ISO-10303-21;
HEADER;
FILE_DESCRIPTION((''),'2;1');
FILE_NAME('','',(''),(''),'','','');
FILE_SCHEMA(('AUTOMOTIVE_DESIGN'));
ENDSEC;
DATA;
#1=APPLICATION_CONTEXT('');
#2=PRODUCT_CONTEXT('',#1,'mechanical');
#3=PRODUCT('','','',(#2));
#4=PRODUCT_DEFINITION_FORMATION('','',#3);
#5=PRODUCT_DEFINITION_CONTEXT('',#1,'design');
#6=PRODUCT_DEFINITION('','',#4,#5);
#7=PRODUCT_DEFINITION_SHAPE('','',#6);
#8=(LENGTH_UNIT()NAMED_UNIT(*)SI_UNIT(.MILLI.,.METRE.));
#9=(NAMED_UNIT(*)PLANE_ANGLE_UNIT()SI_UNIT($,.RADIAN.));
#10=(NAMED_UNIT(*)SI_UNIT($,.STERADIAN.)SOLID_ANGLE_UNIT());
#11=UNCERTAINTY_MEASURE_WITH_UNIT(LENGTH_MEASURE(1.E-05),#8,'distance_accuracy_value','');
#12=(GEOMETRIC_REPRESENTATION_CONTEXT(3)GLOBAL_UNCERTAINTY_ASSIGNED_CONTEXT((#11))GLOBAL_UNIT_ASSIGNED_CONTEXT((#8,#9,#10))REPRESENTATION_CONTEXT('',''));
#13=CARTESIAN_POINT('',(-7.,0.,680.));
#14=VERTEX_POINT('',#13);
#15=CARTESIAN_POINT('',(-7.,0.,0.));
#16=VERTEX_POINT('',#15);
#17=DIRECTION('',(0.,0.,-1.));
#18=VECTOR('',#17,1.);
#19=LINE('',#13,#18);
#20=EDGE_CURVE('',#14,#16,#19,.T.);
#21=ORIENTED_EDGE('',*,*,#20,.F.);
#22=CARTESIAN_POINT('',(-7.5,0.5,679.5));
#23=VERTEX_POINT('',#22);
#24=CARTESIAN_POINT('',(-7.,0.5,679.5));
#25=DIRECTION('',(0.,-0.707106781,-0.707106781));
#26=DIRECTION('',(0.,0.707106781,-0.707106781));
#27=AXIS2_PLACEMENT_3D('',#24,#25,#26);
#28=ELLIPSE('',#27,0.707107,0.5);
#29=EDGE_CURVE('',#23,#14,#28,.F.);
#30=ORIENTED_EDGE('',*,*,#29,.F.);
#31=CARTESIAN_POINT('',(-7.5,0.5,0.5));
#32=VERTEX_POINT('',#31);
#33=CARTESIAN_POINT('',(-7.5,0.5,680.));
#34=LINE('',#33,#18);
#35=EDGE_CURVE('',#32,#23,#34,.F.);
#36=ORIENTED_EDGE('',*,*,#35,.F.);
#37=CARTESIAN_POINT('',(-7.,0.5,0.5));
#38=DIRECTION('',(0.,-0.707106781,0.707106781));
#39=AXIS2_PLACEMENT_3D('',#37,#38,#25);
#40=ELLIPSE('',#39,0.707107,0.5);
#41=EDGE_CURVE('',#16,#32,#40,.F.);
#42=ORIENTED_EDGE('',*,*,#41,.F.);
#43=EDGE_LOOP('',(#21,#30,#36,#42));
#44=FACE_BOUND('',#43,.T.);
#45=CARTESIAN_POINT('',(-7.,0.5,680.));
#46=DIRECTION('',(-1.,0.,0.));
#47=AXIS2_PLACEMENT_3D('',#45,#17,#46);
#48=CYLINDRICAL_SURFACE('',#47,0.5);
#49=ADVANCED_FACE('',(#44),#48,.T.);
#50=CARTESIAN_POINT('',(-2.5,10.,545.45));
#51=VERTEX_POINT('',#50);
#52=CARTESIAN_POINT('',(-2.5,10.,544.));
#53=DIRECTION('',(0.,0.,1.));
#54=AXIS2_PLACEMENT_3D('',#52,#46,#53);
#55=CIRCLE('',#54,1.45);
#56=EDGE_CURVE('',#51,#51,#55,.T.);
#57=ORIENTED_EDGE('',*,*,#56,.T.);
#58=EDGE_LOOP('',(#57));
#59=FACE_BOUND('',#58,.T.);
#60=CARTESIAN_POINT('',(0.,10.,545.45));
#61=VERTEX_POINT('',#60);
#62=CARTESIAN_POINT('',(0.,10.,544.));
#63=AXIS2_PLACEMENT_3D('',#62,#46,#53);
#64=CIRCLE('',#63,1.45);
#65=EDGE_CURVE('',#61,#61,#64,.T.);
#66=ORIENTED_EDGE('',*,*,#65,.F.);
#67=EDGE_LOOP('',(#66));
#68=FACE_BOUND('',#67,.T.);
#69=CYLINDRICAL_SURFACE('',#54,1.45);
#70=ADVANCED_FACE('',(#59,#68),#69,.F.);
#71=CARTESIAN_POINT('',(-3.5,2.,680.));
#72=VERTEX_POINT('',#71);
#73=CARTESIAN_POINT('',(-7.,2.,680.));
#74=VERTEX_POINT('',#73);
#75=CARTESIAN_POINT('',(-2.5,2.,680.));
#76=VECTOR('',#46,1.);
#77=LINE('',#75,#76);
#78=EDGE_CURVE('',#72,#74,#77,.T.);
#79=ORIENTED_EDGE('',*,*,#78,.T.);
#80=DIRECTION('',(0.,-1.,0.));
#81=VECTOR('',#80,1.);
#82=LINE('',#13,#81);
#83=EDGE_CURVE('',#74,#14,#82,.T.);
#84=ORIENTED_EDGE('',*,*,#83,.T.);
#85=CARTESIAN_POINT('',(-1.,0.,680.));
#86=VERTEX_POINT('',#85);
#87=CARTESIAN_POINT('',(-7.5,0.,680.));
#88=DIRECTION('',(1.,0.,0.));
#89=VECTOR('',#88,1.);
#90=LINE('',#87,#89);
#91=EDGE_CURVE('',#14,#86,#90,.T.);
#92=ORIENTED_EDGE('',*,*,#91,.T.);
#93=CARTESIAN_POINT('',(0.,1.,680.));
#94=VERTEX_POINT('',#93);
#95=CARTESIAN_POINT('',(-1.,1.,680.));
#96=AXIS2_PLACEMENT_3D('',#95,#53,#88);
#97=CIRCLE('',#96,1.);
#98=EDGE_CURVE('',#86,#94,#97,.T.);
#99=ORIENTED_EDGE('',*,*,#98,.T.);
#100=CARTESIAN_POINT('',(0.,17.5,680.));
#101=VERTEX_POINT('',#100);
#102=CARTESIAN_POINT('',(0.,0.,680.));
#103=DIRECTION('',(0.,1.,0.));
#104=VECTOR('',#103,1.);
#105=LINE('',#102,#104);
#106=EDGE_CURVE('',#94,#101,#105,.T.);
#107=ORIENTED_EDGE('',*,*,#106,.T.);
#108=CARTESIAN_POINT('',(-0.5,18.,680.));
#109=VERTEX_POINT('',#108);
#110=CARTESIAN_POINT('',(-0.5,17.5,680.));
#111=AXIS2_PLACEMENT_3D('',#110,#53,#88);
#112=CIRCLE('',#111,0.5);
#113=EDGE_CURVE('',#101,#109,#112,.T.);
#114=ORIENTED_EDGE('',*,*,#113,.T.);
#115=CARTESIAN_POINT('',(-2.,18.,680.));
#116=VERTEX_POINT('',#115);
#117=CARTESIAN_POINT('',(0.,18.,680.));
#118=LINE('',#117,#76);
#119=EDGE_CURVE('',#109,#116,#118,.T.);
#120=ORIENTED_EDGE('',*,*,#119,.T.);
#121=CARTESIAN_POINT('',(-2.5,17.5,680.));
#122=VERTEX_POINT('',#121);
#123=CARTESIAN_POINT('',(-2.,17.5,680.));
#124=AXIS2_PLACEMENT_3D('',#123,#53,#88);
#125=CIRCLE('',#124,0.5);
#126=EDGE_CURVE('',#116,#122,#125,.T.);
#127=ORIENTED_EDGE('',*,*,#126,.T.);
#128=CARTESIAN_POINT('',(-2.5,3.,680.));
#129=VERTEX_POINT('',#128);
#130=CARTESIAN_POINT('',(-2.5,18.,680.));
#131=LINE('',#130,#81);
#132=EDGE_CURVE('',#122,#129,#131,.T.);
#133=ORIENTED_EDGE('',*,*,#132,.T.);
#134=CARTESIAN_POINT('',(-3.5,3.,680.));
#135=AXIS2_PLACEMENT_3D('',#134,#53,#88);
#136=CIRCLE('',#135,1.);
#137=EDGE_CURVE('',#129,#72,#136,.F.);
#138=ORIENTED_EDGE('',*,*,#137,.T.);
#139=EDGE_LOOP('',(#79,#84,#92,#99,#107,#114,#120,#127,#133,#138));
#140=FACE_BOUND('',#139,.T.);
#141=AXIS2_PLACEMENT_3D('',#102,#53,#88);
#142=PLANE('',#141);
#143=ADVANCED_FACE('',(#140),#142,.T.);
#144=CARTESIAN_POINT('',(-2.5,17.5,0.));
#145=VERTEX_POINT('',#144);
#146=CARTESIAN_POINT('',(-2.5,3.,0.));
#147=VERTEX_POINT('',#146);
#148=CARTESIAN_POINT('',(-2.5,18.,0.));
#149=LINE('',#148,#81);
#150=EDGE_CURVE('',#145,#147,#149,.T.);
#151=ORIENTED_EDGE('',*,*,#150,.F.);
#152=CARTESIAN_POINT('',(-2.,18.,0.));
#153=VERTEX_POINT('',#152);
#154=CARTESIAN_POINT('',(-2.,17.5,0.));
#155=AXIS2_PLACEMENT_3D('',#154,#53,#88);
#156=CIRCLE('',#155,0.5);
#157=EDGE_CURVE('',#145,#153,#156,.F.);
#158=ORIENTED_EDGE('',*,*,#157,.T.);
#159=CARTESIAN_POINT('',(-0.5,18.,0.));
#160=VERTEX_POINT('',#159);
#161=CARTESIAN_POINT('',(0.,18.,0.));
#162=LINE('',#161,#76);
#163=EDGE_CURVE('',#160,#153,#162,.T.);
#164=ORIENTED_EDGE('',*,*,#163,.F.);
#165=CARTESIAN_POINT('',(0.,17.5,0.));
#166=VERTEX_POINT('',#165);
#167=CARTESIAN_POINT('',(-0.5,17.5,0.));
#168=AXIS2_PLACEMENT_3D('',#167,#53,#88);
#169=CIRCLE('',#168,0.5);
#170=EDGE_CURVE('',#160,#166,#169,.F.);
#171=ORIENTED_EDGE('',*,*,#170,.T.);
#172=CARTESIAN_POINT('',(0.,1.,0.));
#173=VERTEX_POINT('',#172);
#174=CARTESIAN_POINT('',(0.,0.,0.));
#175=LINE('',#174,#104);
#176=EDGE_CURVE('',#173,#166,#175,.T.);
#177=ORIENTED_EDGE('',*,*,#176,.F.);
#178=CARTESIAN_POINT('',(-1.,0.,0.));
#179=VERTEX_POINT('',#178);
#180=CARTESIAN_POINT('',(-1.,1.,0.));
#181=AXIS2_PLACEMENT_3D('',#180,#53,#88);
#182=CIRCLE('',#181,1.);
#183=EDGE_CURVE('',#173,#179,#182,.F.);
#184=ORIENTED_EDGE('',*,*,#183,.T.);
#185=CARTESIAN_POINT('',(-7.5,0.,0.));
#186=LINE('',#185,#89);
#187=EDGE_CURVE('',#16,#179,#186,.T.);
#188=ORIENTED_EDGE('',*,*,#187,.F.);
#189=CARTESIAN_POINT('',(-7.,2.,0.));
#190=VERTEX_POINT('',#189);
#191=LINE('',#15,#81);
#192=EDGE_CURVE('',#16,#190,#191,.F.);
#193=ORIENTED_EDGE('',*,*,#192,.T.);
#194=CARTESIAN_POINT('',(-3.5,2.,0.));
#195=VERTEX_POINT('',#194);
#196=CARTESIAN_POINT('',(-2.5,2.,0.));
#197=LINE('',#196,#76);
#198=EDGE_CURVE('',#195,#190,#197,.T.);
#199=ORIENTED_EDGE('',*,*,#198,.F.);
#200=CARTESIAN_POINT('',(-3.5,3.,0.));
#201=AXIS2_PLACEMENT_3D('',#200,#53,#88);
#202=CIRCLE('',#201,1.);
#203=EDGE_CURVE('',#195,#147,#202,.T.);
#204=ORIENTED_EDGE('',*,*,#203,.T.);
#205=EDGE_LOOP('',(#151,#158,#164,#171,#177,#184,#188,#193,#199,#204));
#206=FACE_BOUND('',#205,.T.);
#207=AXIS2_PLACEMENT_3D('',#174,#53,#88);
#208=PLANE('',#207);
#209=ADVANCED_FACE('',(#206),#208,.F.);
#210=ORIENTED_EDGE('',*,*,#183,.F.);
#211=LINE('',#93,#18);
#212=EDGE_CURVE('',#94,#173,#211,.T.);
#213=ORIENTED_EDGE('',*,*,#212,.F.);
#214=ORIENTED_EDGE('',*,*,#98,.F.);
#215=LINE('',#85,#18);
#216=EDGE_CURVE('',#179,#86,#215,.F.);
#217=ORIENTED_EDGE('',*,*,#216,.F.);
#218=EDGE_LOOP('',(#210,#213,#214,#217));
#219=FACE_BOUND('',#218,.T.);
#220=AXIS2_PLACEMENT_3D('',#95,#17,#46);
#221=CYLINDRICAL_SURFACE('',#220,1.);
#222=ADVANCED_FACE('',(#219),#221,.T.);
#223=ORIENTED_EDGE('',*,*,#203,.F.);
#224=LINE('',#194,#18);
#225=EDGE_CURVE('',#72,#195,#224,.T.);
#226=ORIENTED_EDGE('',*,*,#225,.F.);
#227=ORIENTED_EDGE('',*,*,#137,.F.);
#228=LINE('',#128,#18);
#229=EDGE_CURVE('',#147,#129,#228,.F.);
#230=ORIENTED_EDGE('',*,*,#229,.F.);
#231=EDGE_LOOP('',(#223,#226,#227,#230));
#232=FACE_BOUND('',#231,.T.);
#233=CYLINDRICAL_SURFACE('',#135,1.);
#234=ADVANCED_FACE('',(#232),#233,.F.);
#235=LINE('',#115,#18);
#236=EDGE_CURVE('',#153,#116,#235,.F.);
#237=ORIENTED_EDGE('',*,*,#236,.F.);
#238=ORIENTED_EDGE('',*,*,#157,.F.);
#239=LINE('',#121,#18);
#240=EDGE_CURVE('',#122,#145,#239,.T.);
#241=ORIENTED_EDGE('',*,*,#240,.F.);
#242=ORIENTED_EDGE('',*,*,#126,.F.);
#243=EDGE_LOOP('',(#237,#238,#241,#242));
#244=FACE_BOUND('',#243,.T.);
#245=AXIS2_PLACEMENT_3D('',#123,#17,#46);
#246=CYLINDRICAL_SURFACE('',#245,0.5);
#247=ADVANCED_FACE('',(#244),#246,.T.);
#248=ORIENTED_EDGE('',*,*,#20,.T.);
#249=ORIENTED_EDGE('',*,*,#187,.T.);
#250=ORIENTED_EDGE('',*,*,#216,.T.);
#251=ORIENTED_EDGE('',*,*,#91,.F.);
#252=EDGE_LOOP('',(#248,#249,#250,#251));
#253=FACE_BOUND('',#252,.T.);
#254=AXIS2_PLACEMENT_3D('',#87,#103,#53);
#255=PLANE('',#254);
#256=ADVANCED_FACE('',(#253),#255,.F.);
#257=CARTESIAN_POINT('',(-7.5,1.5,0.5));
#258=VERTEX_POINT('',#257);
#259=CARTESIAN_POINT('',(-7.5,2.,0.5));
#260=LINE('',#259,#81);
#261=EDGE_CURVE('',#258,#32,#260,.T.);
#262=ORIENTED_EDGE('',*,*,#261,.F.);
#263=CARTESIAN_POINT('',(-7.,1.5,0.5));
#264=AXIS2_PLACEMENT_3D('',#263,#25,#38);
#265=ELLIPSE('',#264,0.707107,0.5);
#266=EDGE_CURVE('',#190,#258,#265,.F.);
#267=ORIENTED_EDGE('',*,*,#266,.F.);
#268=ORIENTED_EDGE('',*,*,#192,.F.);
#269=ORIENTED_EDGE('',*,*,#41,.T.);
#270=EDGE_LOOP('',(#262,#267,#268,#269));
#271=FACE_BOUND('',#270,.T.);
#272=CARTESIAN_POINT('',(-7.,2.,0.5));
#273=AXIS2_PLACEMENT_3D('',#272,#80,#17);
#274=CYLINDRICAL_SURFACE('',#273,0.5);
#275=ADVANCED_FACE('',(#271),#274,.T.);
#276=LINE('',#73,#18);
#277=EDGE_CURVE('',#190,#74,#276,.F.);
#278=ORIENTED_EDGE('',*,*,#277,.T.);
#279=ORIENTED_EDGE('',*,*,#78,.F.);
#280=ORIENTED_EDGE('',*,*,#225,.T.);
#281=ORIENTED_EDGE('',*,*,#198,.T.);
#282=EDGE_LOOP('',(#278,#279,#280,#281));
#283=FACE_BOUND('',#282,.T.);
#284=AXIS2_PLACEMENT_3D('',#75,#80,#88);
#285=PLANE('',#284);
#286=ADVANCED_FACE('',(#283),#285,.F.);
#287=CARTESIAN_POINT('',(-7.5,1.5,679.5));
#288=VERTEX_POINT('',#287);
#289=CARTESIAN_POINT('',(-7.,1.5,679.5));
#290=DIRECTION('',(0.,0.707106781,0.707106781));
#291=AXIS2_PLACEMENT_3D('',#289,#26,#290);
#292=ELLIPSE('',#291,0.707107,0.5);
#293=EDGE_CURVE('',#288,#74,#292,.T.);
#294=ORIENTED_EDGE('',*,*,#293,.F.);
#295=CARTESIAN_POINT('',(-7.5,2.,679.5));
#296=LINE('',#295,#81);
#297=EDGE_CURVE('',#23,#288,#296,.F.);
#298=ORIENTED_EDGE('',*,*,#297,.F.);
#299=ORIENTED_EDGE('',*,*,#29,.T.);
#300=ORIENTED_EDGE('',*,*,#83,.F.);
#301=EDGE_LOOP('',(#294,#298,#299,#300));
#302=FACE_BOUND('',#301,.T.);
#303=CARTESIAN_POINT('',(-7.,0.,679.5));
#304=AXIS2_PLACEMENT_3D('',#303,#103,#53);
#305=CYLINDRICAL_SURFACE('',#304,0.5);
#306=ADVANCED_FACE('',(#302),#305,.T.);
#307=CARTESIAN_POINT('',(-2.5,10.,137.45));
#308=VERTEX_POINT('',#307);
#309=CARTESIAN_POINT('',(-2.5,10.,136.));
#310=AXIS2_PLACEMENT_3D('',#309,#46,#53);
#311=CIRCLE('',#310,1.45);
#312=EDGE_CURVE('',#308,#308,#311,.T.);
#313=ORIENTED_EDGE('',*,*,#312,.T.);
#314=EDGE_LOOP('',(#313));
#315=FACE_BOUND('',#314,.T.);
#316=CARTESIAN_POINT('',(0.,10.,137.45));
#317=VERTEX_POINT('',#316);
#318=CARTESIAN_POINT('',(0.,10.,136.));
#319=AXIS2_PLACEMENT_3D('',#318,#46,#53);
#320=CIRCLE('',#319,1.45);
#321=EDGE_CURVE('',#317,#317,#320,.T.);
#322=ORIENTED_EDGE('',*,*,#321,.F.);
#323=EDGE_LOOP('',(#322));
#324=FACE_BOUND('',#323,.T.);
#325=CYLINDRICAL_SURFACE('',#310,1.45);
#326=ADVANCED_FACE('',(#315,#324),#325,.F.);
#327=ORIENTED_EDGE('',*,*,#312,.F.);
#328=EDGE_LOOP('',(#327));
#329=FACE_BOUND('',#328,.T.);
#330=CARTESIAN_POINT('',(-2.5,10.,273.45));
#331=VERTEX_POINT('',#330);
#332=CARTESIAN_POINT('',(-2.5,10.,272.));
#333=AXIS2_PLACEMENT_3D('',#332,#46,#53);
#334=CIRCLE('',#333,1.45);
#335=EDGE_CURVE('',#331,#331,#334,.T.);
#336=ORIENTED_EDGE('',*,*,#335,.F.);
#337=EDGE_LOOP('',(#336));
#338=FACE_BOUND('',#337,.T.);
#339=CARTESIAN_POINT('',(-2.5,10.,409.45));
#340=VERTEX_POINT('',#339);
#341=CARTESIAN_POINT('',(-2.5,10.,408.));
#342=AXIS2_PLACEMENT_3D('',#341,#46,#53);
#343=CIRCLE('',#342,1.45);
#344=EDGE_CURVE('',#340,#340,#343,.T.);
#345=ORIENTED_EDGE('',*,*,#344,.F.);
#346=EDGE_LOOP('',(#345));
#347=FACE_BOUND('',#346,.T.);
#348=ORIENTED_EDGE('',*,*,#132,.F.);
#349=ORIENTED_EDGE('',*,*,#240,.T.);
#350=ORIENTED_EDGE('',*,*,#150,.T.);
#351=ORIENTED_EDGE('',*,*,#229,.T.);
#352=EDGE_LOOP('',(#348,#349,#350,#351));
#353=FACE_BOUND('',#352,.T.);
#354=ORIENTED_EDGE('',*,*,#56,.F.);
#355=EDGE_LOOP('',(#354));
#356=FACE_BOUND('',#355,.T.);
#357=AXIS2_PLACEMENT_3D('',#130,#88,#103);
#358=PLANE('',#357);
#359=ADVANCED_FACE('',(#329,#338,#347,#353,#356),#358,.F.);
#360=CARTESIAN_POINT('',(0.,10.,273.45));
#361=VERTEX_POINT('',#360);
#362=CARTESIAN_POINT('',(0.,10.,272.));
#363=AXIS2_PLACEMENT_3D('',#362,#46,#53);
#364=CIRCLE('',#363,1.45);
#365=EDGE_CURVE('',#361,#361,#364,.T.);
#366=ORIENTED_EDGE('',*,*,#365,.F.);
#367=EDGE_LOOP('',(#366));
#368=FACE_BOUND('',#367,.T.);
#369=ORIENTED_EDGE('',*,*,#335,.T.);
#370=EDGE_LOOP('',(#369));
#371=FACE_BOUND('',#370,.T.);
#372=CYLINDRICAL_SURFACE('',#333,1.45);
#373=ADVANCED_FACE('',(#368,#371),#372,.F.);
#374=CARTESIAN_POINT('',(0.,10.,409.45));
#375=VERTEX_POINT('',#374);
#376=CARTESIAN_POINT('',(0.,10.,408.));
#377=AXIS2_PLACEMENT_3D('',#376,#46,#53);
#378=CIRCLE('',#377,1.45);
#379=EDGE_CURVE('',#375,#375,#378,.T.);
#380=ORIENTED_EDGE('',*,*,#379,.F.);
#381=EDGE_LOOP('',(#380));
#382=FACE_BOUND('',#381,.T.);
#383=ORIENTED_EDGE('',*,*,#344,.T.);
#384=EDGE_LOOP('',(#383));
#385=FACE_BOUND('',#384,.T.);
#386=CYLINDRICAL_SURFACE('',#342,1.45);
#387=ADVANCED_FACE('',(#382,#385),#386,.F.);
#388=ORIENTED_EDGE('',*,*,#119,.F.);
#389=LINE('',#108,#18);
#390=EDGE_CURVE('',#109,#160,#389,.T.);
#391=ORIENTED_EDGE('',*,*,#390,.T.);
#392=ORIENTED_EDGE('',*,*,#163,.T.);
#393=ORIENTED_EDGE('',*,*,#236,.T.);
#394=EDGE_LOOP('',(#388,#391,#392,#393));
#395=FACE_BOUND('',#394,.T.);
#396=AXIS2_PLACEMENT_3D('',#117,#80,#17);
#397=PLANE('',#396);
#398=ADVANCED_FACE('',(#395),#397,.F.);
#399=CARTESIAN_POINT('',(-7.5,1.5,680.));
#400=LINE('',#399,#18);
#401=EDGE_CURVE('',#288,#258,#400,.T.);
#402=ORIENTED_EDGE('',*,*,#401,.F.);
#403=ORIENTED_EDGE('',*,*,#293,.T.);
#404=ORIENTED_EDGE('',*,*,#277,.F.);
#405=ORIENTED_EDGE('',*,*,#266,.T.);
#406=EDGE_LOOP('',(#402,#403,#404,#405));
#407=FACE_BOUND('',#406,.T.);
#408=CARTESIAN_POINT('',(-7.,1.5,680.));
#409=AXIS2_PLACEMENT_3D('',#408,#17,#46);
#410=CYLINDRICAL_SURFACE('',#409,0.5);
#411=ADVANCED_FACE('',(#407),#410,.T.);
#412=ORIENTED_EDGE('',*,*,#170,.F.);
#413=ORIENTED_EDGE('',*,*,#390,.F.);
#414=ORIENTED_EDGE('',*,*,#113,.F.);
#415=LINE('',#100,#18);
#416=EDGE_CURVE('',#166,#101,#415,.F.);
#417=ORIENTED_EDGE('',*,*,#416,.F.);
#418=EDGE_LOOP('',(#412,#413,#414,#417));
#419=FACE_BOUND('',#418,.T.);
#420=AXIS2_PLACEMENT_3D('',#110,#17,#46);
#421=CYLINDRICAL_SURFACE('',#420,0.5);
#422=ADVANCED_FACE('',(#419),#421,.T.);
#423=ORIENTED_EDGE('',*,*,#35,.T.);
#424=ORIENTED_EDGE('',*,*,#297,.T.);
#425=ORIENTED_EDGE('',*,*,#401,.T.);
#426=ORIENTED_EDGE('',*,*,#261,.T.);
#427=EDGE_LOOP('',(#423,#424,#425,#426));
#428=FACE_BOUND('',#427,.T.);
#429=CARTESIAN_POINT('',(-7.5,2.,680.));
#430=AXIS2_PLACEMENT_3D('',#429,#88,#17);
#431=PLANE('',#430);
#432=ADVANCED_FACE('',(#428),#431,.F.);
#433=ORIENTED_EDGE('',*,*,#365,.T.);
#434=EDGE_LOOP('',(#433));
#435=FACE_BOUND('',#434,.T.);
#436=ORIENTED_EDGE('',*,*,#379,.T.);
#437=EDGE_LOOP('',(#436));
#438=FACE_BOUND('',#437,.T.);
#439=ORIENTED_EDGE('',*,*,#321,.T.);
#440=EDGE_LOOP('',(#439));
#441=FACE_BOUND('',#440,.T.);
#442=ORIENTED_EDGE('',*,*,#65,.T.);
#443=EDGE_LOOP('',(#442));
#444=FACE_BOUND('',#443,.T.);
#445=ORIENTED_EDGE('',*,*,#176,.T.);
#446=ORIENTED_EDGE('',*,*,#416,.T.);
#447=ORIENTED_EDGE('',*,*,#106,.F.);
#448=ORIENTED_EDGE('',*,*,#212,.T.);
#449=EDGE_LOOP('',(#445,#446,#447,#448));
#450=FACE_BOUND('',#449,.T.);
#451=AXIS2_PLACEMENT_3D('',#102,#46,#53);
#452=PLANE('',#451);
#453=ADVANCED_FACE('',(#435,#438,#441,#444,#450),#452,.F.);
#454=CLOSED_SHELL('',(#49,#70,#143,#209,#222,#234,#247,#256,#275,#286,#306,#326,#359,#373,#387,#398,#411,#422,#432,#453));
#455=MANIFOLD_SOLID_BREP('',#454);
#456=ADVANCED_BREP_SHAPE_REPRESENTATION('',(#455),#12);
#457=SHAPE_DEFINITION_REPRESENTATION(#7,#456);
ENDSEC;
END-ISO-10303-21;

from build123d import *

# Parameters (mm, degrees)
EXTRUDE_1_DEPTH      = 680
HOLE_WIZARD_M3_5_1_D = 2.9
FILLET_1_R           = 1
FILLET_2_R           = 0.5


with BuildPart() as part:
    # 草图1 → 凸台-拉伸1 (new body)
    with BuildSketch(Plane.XY):
        Polygon((0, 0), (0, 18), (-2.5, 18), (-2.5, 2), (-7.5, 2), (-7.5, 0), align=None)
    extrude(amount=EXTRUDE_1_DEPTH)

    # M3.5 螺纹孔1 (through all)
    with Locations(Plane.ZY.offset(2.5)):
        with Locations((136, 10), (272, 10), (408, 10), (544, 10)):
            Hole(HOLE_WIZARD_M3_5_1_D / 2)

    # 圆角1
    fillet_1_edges = [part.edges().sort_by_distance(p)[0] for p in [
        (-2.5, 2, 340),
        (0, 0, 340),
    ]]
    fillet(fillet_1_edges, radius=FILLET_1_R)

    # 圆角2
    fillet_2_edges = [part.edges().sort_by_distance(p)[0] for p in [
        (-7.5, 0, 340),
        (-7.5, 2, 340),
        (-2.5, 18, 340),
        (0, 18, 340),
        (-7.5, 1, 680),
        (-7.5, 1, 0),
    ]]
    fillet(fillet_2_edges, radius=FILLET_2_R)


solid = part.part
